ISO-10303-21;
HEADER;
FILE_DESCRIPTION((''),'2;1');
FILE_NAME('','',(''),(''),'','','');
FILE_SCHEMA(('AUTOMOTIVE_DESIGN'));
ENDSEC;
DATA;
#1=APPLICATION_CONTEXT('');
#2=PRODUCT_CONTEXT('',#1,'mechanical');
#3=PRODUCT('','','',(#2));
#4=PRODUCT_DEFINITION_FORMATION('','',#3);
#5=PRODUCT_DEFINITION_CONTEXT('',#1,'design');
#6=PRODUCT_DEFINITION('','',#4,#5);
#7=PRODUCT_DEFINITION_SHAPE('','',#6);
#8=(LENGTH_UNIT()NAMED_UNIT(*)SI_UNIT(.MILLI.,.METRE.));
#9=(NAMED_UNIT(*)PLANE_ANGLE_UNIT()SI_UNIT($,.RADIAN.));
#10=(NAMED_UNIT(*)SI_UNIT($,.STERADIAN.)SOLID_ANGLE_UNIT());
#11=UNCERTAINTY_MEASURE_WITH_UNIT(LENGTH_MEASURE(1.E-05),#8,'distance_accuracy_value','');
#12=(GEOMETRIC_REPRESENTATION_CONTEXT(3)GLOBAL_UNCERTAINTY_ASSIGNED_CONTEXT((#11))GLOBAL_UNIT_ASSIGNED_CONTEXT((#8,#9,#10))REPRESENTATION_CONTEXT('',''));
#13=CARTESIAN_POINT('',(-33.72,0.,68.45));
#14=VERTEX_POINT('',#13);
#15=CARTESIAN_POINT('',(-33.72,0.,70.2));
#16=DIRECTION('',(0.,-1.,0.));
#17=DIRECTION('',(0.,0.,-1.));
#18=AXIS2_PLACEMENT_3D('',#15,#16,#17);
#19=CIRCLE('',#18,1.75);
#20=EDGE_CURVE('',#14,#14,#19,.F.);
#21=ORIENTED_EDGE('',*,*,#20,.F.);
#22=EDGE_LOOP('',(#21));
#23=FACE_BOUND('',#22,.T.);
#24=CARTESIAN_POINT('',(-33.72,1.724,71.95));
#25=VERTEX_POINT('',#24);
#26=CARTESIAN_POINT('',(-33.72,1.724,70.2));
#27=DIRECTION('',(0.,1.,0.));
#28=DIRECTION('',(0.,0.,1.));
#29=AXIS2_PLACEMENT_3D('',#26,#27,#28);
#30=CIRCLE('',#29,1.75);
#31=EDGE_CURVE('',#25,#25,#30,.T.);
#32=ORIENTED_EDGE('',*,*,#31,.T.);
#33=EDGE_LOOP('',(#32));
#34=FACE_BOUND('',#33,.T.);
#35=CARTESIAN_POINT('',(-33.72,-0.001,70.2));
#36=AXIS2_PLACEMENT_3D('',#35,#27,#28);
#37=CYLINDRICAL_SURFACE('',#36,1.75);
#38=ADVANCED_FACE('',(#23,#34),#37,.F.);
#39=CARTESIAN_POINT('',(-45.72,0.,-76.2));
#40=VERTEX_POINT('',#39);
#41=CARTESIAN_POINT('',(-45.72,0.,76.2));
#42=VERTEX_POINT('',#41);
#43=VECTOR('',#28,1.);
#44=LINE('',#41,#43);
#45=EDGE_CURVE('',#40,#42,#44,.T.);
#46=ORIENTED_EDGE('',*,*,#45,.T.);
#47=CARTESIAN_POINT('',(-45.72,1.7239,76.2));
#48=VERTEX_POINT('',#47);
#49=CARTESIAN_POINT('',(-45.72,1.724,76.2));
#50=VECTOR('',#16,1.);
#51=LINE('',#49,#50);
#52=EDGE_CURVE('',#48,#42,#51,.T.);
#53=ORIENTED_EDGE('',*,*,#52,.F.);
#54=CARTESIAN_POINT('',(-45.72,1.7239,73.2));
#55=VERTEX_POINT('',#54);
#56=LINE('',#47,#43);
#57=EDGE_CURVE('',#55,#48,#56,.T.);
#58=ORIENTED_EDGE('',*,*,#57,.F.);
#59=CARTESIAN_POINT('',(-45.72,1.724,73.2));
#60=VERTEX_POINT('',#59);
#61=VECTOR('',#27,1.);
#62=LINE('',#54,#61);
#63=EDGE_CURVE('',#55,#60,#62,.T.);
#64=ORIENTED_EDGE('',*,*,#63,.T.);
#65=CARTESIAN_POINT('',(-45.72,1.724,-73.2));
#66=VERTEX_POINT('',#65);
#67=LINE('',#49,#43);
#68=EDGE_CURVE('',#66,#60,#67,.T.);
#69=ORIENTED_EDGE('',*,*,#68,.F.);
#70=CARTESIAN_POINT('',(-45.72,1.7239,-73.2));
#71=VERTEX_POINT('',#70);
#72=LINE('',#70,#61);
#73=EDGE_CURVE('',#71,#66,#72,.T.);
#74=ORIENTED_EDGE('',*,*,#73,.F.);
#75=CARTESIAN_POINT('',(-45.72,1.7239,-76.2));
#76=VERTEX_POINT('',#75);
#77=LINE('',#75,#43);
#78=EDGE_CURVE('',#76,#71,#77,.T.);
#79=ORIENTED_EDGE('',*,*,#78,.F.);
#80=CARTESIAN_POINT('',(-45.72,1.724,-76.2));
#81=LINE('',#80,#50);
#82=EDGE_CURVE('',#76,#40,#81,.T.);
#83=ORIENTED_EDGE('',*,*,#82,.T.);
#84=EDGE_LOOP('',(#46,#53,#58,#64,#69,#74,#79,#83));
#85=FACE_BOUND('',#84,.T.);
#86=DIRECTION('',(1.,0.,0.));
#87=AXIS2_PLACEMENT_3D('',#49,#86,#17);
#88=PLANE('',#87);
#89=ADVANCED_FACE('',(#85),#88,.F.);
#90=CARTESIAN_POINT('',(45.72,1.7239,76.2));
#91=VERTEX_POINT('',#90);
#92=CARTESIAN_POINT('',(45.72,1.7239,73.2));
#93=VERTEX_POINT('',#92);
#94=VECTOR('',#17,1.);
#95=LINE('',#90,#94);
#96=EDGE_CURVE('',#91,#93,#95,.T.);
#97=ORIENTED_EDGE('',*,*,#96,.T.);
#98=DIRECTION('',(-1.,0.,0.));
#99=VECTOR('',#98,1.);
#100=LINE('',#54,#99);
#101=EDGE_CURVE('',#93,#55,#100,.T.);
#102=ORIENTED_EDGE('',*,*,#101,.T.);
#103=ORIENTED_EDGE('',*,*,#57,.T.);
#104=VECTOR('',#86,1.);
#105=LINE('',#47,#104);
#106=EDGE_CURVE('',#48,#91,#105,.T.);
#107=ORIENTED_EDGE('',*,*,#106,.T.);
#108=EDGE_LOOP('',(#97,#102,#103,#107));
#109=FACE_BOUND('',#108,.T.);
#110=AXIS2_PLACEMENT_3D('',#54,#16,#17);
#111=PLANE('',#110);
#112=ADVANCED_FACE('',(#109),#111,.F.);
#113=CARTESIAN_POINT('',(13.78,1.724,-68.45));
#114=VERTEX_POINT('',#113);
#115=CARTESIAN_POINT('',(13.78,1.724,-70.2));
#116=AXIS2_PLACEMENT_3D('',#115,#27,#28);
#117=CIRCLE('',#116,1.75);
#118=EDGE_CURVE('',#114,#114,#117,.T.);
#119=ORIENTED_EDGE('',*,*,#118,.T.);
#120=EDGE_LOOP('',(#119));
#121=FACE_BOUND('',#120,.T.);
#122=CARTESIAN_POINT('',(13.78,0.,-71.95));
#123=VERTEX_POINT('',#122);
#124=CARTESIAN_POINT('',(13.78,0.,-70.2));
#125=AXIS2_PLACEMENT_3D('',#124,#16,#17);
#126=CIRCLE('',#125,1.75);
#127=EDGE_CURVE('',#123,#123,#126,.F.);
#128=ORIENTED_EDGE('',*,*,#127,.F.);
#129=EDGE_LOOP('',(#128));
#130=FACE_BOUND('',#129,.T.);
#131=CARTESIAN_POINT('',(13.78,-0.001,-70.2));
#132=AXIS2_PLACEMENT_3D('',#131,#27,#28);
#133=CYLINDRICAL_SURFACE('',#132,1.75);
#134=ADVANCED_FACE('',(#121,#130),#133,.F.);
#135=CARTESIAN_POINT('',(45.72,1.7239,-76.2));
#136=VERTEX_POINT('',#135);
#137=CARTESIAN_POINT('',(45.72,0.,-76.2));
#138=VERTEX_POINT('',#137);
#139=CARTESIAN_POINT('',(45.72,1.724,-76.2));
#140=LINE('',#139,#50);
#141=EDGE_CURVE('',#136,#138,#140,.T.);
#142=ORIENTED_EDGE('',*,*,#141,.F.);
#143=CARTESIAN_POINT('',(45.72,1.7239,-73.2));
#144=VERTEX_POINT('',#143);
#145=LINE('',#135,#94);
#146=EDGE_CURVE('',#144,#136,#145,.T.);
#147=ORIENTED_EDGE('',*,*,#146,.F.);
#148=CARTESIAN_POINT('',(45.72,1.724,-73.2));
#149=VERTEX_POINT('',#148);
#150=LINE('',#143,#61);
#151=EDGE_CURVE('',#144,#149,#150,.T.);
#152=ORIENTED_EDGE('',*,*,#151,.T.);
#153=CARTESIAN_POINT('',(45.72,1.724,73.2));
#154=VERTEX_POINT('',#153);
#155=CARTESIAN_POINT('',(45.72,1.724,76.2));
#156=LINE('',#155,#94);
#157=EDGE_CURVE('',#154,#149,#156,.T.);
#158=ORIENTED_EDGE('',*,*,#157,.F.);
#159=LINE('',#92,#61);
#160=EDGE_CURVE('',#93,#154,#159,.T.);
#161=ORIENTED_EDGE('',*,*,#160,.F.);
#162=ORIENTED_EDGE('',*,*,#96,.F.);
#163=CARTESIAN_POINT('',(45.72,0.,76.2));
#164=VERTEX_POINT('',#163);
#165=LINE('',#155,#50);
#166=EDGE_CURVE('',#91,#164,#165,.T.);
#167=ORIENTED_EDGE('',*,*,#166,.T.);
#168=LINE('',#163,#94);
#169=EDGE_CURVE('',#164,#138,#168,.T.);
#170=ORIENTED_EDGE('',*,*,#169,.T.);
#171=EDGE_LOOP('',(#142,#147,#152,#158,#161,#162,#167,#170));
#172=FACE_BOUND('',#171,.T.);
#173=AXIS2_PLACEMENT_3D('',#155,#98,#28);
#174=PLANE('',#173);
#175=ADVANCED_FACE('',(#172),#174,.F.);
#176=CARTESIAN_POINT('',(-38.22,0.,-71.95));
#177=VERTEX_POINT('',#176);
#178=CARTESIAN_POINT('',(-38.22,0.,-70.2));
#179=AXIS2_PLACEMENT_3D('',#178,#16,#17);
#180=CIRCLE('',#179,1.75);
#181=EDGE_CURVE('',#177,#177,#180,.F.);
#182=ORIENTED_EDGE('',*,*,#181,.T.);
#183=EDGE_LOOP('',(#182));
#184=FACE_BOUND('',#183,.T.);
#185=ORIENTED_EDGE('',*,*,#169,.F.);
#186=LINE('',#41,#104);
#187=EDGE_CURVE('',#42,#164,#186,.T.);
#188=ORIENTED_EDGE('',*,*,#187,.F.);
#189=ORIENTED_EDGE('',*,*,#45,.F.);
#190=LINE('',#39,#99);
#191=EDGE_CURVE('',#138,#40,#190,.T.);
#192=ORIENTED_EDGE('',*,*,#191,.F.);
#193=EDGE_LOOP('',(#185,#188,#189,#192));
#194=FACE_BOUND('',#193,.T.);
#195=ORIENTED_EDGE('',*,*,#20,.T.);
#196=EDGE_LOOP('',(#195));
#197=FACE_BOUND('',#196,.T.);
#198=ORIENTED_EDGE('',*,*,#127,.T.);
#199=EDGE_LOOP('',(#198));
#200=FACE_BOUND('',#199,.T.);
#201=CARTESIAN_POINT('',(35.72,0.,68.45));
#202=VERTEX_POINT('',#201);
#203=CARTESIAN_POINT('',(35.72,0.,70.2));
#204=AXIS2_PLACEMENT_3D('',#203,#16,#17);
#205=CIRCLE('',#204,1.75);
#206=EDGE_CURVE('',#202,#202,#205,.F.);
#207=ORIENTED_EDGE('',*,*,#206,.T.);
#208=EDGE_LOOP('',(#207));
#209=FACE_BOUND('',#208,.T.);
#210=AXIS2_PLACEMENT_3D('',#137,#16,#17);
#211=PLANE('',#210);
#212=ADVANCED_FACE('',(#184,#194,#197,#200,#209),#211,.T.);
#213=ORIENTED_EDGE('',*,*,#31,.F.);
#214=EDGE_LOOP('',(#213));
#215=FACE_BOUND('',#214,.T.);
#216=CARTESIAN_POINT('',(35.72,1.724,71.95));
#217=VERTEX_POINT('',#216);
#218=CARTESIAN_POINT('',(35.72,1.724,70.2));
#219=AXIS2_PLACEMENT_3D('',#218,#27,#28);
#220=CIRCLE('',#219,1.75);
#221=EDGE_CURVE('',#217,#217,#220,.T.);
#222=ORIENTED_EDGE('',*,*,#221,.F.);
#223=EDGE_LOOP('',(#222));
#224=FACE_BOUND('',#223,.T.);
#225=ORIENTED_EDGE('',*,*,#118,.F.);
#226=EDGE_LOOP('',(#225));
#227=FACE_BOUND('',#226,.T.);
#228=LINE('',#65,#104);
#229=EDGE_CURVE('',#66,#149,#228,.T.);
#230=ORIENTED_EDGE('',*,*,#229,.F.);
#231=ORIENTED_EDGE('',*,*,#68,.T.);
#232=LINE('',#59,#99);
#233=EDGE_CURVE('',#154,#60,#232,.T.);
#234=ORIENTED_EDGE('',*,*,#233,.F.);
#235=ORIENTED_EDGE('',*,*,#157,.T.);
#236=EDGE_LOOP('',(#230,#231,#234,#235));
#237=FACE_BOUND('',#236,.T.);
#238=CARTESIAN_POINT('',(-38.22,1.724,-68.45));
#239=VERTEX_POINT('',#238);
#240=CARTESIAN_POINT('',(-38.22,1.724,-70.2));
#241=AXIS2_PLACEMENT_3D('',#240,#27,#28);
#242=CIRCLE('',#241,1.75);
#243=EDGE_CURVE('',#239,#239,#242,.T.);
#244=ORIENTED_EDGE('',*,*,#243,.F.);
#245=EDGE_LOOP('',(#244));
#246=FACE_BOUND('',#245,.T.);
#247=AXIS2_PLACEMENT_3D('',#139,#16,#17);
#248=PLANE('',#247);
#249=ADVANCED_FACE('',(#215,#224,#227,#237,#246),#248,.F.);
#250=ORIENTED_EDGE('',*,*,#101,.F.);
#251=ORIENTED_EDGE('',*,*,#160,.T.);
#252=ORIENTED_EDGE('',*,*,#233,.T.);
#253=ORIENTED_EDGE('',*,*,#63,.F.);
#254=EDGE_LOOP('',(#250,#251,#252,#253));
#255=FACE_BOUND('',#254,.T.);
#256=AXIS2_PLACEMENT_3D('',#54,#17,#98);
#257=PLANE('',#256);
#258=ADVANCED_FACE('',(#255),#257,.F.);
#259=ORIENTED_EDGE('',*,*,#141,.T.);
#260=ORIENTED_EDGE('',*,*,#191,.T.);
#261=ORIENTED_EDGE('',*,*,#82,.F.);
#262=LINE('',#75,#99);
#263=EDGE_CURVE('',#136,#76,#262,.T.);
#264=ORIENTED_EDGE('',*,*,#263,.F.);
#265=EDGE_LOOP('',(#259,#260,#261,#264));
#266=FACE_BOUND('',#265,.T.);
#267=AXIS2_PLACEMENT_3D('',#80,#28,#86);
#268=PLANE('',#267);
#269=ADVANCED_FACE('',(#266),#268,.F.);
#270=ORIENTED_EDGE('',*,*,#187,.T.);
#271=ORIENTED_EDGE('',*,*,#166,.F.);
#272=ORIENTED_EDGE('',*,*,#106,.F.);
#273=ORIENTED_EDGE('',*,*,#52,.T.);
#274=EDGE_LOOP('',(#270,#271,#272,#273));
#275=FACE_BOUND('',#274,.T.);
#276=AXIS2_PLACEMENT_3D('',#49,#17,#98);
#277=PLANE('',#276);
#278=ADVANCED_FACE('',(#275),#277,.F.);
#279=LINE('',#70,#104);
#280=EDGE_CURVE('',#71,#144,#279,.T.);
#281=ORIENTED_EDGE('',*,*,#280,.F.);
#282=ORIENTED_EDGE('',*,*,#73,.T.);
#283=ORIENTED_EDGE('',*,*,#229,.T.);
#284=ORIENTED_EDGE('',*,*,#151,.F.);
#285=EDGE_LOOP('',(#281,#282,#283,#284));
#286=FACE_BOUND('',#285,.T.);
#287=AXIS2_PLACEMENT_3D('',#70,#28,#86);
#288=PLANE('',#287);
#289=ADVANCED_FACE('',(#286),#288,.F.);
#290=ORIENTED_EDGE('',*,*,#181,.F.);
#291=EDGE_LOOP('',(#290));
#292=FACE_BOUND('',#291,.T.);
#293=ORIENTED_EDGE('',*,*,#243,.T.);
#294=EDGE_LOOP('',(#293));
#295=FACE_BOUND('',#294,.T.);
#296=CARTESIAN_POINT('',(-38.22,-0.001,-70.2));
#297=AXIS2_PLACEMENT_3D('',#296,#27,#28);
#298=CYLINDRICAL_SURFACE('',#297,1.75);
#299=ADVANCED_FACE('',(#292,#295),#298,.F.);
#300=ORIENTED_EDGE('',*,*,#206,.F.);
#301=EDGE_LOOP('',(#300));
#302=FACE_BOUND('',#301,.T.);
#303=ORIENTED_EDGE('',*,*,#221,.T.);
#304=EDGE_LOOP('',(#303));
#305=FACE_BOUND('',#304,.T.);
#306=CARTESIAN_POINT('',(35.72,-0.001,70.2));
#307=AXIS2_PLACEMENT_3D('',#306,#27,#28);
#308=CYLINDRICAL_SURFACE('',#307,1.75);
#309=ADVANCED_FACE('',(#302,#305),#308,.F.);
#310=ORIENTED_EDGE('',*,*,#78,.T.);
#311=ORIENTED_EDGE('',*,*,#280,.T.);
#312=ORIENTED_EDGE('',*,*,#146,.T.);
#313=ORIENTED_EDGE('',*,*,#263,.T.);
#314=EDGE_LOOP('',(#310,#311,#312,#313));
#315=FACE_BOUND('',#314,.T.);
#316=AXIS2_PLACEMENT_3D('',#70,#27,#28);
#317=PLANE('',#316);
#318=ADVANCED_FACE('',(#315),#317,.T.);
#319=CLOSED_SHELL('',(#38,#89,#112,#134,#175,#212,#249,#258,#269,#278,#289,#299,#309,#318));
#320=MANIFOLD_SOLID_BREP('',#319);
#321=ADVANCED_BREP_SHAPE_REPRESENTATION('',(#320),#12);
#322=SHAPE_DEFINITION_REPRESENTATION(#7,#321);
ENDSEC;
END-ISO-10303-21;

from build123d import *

# Parameters (mm, degrees)
SKETCH1_W           = 91.44
SKETCH1_H           = 152.4
BOSS_EXTRUDE1_DEPTH = 1.724
CUT_EXTRUDE1_REACH  = 90.88
SKETCH2_R           = 1.75
SKETCH3_W           = 91.44
SKETCH3_H           = 3
CUT_EXTRUDE2_DEPTH  = 0.0001


with BuildPart() as part:
    # Sketch1 → Boss-Extrude1 (new body)
    with BuildSketch(Plane(origin=(0, 0, 0), x_dir=(1, 0, 0), z_dir=(0, 1, 0))):
        Rectangle(SKETCH1_W, SKETCH1_H)
    extrude(amount=BOSS_EXTRUDE1_DEPTH)

    # Sketch2 → Cut-Extrude1 (cut, up to next)
    with BuildSketch(Plane(origin=(0, 1.724, 0), x_dir=(1, 0, 0), z_dir=(0, 1, 0)), mode=Mode.PRIVATE) as cut_extrude1_sk1:
        with Locations(Location((-38.22, 70.2, 0), (0, 0, 270))):
            Circle(SKETCH2_R)
    cut_extrude1_tool1 = extrude(cut_extrude1_sk1.sketch, amount=-CUT_EXTRUDE1_REACH, mode=Mode.PRIVATE) & part.part
    # Sketch2 → Cut-Extrude1 (cut, up to next)
    with BuildSketch(Plane(origin=(0, 1.724, 0), x_dir=(1, 0, 0), z_dir=(0, 1, 0)), mode=Mode.PRIVATE) as cut_extrude1_sk2:
        with Locations(Location((-33.72, -70.2, 0), (0, 0, 270))):
            Circle(SKETCH2_R)
    cut_extrude1_tool2 = extrude(cut_extrude1_sk2.sketch, amount=-CUT_EXTRUDE1_REACH, mode=Mode.PRIVATE) & part.part
    # Sketch2 → Cut-Extrude1 (cut, up to next)
    with BuildSketch(Plane(origin=(0, 1.724, 0), x_dir=(1, 0, 0), z_dir=(0, 1, 0)), mode=Mode.PRIVATE) as cut_extrude1_sk3:
        with Locations(Location((35.72, -70.2, 0), (0, 0, 270))):
            Circle(SKETCH2_R)
    cut_extrude1_tool3 = extrude(cut_extrude1_sk3.sketch, amount=-CUT_EXTRUDE1_REACH, mode=Mode.PRIVATE) & part.part
    # Sketch2 → Cut-Extrude1 (cut, up to next)
    with BuildSketch(Plane(origin=(0, 1.724, 0), x_dir=(1, 0, 0), z_dir=(0, 1, 0)), mode=Mode.PRIVATE) as cut_extrude1_sk4:
        with Locations(Location((13.78, 70.2, 0), (0, 0, 270))):
            Circle(SKETCH2_R)
    cut_extrude1_tool4 = extrude(cut_extrude1_sk4.sketch, amount=-CUT_EXTRUDE1_REACH, mode=Mode.PRIVATE) & part.part
    add(cut_extrude1_tool1.solids().sort_by_distance((-38.22, 1.724, -70.2))[0], mode=Mode.SUBTRACT)
    add(cut_extrude1_tool2.solids().sort_by_distance((-33.72, 1.724, 70.2))[0], mode=Mode.SUBTRACT)
    add(cut_extrude1_tool3.solids().sort_by_distance((35.72, 1.724, 70.2))[0], mode=Mode.SUBTRACT)
    add(cut_extrude1_tool4.solids().sort_by_distance((13.78, 1.724, -70.2))[0], mode=Mode.SUBTRACT)

    # Sketch3 → Cut-Extrude2 (cut)
    with BuildSketch(Plane(origin=(0, 1.724, 0), x_dir=(1, 0, 0), z_dir=(0, 1, 0))):
        with Locations((0, 74.7)):
            Rectangle(SKETCH3_W, SKETCH3_H)
        with Locations((0, -74.7)):
            Rectangle(SKETCH3_W, SKETCH3_H)
    extrude(amount=-CUT_EXTRUDE2_DEPTH, mode=Mode.SUBTRACT)


solid = part.part
